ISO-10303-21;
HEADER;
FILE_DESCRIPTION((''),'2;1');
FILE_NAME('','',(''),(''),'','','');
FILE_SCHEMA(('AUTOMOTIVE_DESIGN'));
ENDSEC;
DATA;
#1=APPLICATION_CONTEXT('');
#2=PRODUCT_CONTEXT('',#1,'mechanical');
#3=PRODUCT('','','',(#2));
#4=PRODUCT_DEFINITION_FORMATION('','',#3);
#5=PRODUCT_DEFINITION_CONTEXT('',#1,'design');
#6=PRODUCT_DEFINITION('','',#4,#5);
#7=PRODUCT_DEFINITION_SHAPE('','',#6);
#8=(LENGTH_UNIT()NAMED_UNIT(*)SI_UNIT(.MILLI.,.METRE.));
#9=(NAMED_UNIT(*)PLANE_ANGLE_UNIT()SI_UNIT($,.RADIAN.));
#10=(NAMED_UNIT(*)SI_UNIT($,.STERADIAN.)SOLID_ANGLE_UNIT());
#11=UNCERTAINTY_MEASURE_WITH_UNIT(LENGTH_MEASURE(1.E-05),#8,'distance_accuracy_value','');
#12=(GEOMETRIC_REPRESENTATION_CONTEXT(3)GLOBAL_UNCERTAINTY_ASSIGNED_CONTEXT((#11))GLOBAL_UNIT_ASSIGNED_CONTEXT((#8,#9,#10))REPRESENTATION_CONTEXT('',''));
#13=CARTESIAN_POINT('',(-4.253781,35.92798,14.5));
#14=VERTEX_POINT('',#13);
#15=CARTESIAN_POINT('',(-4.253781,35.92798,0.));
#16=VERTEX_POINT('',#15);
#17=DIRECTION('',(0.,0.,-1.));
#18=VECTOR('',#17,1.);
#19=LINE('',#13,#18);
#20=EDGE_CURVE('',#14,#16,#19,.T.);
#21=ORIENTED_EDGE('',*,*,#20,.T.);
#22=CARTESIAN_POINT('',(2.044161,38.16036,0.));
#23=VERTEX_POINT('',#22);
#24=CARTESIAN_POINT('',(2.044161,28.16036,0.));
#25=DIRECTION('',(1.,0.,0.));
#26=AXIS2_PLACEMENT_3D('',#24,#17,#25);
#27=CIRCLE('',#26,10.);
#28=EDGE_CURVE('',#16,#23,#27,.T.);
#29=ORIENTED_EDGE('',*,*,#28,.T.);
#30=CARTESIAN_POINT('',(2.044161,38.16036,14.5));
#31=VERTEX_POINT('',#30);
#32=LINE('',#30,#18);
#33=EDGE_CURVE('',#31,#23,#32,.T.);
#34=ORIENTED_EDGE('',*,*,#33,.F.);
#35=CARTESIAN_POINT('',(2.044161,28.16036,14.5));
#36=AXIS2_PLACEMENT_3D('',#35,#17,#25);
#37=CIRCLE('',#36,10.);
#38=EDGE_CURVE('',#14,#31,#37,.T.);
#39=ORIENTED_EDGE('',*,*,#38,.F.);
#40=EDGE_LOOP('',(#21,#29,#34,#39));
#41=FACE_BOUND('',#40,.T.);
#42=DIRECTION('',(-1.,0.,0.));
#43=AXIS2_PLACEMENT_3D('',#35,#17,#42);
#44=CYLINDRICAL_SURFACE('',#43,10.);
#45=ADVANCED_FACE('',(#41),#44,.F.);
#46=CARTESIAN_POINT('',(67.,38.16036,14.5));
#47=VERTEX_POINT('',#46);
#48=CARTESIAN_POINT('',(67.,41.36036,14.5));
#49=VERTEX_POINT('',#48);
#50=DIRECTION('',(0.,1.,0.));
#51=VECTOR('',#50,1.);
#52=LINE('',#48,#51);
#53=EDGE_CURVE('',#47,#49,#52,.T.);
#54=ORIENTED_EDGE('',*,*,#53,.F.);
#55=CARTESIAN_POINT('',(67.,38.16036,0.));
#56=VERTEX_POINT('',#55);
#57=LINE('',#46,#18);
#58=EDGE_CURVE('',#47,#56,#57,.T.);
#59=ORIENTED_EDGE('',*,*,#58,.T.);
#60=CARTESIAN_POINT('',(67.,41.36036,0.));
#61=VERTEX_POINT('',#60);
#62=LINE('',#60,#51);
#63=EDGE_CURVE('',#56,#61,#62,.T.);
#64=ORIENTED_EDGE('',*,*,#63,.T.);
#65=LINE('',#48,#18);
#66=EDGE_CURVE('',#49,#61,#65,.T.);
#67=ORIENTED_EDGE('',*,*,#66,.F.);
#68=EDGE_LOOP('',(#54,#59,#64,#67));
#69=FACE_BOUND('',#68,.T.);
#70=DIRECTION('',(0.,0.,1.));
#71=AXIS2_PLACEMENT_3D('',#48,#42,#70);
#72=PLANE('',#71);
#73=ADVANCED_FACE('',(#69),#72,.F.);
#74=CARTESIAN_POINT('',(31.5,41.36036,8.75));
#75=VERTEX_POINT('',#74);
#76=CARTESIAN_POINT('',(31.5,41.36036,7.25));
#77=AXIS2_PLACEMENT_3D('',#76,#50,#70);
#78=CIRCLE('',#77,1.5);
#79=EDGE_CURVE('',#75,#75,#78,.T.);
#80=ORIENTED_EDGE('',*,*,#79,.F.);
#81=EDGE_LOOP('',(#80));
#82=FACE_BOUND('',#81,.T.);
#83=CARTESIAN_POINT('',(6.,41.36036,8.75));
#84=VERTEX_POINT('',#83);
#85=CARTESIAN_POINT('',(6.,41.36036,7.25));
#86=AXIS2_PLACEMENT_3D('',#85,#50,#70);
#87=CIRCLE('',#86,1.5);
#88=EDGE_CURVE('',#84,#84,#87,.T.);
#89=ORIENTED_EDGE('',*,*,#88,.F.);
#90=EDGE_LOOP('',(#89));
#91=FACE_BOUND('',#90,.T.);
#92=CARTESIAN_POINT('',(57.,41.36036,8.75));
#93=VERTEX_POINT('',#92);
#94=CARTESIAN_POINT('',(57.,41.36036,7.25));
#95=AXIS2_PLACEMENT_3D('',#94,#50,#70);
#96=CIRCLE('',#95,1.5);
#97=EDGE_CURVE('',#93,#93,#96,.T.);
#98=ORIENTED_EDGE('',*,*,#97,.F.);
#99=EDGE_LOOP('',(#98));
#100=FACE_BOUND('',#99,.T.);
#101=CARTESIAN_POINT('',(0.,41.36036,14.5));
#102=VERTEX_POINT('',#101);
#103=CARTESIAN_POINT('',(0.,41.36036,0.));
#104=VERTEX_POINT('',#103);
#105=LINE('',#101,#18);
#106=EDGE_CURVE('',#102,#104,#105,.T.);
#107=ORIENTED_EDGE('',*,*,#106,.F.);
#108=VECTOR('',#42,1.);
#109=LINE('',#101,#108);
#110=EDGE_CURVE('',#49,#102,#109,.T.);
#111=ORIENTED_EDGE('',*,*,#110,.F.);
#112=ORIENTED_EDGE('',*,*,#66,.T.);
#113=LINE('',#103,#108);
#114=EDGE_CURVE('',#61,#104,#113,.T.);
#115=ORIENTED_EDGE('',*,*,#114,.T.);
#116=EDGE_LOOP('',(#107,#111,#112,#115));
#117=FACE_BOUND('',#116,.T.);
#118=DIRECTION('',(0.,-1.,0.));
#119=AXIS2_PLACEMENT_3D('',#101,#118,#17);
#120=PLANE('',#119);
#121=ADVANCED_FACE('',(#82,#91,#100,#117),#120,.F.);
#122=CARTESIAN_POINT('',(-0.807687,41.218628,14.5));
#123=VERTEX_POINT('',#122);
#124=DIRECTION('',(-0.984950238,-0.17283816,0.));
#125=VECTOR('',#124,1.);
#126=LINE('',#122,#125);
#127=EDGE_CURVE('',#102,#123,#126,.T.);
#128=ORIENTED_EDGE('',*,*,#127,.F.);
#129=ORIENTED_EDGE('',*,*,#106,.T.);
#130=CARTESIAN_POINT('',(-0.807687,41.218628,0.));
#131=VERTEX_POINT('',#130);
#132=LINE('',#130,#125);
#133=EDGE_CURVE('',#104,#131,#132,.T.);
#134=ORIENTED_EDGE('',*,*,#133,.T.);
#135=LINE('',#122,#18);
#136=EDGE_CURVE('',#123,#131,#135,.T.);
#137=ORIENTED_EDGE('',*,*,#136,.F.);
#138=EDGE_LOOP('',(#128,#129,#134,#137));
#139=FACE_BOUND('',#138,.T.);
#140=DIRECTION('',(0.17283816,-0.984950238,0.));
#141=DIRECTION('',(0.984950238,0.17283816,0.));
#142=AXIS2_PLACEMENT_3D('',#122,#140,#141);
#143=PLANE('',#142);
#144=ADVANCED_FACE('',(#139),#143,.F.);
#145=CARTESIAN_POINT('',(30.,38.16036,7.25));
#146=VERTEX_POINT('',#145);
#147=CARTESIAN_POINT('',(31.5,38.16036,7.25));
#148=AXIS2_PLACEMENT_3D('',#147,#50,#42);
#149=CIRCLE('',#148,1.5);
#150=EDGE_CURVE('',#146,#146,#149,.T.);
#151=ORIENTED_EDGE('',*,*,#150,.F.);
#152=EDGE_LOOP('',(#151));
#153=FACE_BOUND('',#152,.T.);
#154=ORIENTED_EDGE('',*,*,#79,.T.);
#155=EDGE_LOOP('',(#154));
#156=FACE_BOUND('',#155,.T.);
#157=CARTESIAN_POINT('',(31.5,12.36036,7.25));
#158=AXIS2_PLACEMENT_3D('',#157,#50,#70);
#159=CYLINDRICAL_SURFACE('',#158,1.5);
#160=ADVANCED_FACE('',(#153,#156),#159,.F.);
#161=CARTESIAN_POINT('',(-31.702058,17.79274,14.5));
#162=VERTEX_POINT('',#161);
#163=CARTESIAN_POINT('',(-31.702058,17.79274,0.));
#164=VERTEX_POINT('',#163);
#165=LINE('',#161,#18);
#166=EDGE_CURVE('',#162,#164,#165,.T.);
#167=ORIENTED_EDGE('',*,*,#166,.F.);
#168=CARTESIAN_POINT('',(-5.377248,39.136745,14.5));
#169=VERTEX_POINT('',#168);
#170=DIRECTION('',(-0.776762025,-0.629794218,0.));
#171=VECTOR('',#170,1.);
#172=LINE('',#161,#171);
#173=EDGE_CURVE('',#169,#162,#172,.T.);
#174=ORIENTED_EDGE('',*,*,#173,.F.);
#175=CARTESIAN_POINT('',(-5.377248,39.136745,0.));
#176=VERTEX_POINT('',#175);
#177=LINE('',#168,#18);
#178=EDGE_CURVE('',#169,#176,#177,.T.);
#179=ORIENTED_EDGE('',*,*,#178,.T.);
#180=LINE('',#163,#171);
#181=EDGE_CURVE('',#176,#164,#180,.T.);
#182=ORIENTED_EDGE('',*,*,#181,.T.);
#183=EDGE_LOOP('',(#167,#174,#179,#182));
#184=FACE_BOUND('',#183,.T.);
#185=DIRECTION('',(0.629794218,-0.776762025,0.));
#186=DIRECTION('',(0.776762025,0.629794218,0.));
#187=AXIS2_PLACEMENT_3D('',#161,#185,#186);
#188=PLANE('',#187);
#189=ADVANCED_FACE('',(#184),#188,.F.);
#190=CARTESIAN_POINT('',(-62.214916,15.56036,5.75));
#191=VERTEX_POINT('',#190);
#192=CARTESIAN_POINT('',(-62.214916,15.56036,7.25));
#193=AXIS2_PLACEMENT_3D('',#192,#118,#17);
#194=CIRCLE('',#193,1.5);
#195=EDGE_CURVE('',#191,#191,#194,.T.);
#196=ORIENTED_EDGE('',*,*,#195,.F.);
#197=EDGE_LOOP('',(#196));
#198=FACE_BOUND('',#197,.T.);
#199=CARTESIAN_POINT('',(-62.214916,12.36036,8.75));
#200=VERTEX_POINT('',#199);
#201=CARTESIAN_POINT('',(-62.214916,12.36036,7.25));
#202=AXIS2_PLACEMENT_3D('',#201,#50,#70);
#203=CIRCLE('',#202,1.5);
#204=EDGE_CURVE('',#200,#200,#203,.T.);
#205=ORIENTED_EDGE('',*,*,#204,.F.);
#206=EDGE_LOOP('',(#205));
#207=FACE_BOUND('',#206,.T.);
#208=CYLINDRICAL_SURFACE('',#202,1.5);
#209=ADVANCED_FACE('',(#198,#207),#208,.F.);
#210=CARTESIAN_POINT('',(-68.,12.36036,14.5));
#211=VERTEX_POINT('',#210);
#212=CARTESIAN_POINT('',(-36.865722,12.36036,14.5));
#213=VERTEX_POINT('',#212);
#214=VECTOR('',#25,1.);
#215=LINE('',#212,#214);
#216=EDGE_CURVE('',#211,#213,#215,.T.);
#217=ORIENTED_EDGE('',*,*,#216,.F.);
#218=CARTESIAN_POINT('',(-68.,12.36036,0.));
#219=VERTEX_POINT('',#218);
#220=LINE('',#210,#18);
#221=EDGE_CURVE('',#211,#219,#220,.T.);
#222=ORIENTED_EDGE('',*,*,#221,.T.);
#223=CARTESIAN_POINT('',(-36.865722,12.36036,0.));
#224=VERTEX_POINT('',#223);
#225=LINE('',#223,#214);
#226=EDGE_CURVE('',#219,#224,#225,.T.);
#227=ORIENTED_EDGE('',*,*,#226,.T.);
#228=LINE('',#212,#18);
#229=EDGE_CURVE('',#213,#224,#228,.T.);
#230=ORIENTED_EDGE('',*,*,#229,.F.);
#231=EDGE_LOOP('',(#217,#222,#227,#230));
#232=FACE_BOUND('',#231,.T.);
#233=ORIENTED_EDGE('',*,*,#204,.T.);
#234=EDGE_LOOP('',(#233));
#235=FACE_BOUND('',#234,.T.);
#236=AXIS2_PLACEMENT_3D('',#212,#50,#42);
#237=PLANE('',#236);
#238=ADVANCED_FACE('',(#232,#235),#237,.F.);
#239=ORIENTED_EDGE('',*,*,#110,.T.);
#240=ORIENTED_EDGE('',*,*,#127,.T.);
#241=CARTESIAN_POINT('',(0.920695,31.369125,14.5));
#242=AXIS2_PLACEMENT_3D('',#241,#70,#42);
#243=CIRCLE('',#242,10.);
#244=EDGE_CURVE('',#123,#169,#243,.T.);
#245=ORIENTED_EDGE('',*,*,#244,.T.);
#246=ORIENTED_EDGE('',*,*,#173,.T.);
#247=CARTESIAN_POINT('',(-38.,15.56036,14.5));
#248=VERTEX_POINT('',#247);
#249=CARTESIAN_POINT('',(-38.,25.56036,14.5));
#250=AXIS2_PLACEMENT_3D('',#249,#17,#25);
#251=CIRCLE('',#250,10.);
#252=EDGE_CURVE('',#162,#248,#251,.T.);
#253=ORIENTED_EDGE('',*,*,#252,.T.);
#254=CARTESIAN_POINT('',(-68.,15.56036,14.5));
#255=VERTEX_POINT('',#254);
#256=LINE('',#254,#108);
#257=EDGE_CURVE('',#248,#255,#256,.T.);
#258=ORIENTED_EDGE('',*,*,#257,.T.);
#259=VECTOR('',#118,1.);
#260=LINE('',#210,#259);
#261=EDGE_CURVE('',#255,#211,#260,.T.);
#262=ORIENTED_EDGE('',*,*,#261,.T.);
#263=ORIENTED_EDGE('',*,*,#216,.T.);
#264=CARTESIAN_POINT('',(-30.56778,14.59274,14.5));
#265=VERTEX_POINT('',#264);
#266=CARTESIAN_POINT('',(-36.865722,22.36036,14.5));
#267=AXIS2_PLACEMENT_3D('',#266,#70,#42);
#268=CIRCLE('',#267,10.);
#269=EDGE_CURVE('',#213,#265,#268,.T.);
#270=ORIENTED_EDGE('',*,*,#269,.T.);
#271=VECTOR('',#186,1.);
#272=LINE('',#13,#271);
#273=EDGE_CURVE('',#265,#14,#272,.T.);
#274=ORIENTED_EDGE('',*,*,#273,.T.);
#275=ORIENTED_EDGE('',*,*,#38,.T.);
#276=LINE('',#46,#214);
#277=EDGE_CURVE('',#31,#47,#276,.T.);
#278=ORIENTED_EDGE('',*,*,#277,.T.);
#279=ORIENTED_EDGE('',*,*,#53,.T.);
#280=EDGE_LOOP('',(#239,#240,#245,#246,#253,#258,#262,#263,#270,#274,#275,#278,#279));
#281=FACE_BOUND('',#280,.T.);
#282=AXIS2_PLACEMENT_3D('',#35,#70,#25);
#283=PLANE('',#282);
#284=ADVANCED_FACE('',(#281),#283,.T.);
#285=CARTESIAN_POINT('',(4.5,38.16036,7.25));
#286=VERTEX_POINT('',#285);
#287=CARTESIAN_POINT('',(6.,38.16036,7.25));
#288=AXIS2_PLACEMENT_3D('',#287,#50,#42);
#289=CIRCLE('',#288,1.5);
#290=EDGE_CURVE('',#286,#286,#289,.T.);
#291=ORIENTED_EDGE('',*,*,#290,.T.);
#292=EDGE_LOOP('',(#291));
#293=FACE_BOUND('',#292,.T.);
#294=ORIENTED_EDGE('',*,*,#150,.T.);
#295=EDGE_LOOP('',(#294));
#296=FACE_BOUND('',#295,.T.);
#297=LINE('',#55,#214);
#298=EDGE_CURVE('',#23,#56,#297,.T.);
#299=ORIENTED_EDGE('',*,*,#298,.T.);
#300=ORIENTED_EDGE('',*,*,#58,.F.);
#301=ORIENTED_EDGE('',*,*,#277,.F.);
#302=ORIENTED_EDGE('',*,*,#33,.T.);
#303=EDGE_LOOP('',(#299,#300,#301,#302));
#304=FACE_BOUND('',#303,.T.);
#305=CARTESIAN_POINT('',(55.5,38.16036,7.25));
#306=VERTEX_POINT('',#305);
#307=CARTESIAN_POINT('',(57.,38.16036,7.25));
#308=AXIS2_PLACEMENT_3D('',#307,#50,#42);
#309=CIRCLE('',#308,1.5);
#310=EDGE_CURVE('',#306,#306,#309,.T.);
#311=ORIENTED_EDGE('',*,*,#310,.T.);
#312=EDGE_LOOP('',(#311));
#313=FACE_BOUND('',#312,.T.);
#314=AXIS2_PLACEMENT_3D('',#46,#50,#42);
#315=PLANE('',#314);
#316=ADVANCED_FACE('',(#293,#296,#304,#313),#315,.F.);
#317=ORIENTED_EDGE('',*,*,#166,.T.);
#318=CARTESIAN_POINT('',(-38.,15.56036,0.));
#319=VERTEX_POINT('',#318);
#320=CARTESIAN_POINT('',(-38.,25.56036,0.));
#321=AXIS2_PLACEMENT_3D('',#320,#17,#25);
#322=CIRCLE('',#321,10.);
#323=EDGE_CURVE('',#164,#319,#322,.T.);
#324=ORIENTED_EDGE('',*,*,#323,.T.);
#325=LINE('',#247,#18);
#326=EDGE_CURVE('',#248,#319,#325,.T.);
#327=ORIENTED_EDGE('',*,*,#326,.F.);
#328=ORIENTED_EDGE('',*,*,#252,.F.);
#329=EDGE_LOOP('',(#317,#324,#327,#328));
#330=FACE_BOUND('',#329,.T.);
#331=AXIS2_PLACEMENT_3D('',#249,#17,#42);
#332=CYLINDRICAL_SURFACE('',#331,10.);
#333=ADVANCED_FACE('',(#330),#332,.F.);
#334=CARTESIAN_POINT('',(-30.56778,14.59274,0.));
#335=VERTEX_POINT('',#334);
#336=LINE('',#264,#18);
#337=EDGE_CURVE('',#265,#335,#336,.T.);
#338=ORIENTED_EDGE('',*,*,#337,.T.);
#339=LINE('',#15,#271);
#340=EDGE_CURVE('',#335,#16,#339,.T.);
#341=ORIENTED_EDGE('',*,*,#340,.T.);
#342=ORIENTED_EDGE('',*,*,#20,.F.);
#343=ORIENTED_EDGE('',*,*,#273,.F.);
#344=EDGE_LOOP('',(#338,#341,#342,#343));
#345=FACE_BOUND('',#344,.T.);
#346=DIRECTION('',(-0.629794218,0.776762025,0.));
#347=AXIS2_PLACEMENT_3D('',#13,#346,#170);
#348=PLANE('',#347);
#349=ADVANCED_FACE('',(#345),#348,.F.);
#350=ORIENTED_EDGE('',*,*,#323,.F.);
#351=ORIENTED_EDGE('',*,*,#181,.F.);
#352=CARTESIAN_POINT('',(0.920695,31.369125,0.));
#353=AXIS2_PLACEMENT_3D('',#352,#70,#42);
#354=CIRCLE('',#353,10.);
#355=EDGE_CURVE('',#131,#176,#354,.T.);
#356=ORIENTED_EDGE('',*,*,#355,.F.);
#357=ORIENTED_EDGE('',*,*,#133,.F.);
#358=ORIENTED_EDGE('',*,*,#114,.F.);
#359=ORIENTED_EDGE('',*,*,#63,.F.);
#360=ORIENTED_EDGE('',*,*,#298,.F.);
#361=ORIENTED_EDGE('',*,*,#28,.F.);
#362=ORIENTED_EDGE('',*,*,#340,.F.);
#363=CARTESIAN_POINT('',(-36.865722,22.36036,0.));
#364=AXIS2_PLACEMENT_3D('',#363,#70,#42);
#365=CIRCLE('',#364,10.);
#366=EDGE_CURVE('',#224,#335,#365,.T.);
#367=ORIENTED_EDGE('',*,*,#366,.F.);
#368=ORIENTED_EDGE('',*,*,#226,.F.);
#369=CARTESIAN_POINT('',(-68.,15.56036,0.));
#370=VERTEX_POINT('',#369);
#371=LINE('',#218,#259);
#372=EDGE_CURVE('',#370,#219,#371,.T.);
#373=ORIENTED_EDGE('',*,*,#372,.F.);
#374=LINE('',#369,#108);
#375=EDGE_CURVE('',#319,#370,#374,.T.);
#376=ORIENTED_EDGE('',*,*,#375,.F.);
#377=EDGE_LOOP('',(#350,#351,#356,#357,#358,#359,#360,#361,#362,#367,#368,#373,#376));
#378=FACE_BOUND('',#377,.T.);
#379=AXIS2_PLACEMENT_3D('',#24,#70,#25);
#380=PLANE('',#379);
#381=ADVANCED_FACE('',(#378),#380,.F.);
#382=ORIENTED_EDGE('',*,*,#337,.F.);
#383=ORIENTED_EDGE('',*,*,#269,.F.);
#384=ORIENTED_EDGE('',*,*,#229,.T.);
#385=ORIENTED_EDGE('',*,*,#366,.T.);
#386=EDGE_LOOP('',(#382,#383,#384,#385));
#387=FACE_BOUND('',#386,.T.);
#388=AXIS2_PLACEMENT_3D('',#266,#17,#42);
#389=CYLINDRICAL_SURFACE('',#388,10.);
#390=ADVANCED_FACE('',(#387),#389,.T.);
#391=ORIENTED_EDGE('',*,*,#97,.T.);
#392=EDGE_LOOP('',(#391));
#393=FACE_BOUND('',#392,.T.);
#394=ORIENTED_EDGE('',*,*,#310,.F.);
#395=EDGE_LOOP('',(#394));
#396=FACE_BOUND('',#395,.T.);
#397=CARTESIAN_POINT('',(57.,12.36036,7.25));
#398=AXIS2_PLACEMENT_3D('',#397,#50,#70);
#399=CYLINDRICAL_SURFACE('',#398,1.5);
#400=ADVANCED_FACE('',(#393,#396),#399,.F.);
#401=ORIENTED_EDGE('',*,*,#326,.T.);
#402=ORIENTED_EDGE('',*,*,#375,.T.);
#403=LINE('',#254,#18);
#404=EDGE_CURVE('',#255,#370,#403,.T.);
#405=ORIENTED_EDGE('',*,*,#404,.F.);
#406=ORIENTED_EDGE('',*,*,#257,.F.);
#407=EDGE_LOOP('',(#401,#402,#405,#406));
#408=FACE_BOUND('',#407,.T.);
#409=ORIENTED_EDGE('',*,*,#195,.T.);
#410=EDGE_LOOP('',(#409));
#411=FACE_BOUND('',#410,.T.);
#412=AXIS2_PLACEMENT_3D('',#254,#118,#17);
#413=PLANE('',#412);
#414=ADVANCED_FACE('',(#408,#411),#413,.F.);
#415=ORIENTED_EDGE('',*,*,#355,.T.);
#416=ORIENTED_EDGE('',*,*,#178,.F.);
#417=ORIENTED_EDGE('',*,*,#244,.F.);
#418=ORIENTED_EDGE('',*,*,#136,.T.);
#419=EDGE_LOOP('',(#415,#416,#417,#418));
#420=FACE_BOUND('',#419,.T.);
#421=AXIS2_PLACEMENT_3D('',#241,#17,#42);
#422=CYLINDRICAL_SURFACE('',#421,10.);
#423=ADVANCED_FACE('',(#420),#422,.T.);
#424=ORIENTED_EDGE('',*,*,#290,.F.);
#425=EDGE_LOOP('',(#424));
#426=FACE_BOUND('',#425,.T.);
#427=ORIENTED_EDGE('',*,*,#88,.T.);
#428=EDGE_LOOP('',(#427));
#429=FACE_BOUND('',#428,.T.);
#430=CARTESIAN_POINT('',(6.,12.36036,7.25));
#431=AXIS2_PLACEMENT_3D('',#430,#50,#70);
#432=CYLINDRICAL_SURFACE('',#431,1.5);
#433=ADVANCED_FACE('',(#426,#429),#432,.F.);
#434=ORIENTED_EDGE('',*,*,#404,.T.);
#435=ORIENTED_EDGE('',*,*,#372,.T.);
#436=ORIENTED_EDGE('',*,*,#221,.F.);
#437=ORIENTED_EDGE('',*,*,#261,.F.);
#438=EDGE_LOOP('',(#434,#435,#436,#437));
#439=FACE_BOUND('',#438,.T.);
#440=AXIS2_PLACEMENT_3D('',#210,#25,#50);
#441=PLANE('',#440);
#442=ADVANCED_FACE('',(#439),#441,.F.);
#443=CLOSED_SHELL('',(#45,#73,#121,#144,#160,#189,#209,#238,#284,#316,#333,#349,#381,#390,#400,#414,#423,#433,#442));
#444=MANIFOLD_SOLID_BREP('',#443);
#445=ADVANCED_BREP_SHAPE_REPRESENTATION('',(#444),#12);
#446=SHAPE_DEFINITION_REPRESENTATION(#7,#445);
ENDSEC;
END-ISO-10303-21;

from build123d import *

# Parameters (mm, degrees)
BOSS_EXTRUDE1_DEPTH = 14.5
SKETCH3_R           = 1.5
CUT_EXTRUDE1_DEPTH  = 76.334255157


with BuildPart() as part:
    # Sketch2 → Boss-Extrude1 (new body)
    with BuildSketch(Plane.XY):
        with BuildLine():
            Line((0, 41.360359775), (67, 41.360359775))
            Line((67, 41.360359775), (67, 38.160359775))
            Line((67, 38.160359775), (2.044161335, 38.160359775))
            ThreePointArc((2.044161335, 38.160359775), (-1.29678146, 37.585756385), (-4.253780843, 35.927980024))
            Line((-4.253780843, 35.927980024), (-30.567780148, 14.592739527))
            ThreePointArc((-30.567780148, 14.592739527), (-33.524779531, 12.934963166), (-36.865722326, 12.360359775))
            Line((-36.865722326, 12.360359775), (-68, 12.360359775))
            Line((-68, 12.360359775), (-68, 15.560359775))
            Line((-68, 15.560359775), (-38, 15.560359775))
            ThreePointArc((-38, 15.560359775), (-34.659057205, 16.134963166), (-31.702057822, 17.792739527))
            Line((-31.702057822, 17.792739527), (-5.377247568, 39.13674548))
            ThreePointArc((-5.377247568, 39.13674548), (-3.225270493, 40.469178713), (-0.807686987, 41.218627608))
            Line((-0.807686987, 41.218627608), (0, 41.360359775))
        make_face()
    extrude(amount=BOSS_EXTRUDE1_DEPTH)

    # Sketch3 → Cut-Extrude1 (cut, through all)
    with BuildSketch(Plane(origin=(0, 41.360359775, 0), x_dir=(1, 0, 0), z_dir=(0, 1, 0))):
        with Locations(Location((6, -7.25, 0), (0, 0, 270))):
            Circle(SKETCH3_R)
        with Locations(Location((31.5, -7.25, 0), (0, 0, 270))):
            Circle(SKETCH3_R)
        with Locations(Location((57, -7.25, 0), (0, 0, 270))):
            Circle(SKETCH3_R)
        with Locations(Location((-62.214915759, -7.25, 0), (0, 0, 270))):
            Circle(SKETCH3_R)
    extrude(amount=-CUT_EXTRUDE1_DEPTH, mode=Mode.SUBTRACT)


solid = part.part
